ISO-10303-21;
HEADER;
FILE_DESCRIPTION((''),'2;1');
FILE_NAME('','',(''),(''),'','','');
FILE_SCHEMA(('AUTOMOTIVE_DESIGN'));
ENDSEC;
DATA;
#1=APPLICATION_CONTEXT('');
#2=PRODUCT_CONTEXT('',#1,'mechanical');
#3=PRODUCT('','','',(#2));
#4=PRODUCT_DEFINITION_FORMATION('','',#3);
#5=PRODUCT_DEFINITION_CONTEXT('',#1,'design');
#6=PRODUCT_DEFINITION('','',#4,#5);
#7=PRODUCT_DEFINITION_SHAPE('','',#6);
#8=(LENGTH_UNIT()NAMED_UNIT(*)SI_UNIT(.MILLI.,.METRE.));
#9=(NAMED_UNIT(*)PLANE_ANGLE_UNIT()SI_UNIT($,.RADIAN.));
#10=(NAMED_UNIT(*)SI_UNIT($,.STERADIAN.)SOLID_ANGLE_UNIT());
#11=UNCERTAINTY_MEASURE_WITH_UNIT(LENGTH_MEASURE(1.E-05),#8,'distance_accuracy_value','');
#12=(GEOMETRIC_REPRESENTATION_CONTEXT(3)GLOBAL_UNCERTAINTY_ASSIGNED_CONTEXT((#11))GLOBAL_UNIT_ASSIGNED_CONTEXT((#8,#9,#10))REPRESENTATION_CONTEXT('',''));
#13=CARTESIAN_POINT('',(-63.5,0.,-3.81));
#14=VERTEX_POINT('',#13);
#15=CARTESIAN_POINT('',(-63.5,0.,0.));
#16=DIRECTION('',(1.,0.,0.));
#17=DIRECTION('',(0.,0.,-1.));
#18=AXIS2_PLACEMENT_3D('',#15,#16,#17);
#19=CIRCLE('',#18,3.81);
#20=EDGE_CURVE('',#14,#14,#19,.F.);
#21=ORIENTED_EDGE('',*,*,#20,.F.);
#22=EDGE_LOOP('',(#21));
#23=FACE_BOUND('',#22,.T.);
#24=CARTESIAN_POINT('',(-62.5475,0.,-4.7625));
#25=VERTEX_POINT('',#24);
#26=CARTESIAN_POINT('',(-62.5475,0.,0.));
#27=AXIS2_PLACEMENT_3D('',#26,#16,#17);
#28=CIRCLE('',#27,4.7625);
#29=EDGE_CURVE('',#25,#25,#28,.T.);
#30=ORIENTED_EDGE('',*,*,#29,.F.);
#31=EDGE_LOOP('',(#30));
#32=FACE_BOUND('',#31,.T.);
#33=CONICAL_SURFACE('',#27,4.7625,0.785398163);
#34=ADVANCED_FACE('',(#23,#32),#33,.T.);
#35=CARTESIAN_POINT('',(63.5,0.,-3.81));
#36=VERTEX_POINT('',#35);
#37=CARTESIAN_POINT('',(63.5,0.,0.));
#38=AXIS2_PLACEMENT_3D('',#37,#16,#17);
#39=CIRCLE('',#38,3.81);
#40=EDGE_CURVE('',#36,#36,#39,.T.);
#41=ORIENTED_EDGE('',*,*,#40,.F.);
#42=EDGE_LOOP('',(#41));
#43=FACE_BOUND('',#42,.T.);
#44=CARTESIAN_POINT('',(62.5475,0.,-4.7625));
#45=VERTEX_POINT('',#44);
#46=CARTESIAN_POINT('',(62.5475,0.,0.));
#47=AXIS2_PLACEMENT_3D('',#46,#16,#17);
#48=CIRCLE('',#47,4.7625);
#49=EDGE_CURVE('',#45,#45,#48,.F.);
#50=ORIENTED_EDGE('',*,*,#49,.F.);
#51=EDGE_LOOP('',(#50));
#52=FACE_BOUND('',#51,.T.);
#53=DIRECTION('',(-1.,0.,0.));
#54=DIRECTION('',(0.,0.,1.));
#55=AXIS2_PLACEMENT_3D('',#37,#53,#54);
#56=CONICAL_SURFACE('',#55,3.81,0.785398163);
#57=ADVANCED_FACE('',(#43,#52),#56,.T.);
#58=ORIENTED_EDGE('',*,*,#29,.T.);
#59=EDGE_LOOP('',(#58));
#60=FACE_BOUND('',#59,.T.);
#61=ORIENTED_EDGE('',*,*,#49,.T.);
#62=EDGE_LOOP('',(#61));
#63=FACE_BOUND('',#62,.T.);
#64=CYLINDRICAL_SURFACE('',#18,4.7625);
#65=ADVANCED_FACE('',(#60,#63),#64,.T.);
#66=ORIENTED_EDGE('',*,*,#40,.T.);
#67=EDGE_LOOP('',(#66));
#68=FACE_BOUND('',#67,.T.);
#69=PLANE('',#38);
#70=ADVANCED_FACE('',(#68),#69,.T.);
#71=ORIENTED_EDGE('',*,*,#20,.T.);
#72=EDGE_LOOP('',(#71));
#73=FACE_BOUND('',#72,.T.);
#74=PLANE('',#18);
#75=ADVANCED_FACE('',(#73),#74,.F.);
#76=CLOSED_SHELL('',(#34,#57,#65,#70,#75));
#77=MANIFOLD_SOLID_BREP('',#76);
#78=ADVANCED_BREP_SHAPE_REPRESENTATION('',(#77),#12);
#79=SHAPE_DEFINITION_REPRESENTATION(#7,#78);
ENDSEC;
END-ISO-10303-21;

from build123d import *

# Parameters (mm, degrees)
EXTRUDE1_DEPTH      = 63.5
EXTRUDE1_DEPTH_BACK = 63.5
SKETCH2_R           = 4.7625
CHAMFER1_SIZE       = 0.9525


with BuildPart() as part:
    # Sketch2 → Extrude1 (new, two sides: drawn at the far end of the back side and taken through both)
    with BuildSketch(Plane(origin=(0, 0, 0), x_dir=(0, 0, -1), z_dir=(1, 0, 0)).offset(-EXTRUDE1_DEPTH_BACK)):
        Circle(SKETCH2_R)
    extrude(amount=EXTRUDE1_DEPTH + EXTRUDE1_DEPTH_BACK)

    # Chamfer1
    chamfer1_edges = [part.edges().sort_by_distance(p)[0] for p in [
        (-63.5, 0, 4.7625),
        (63.5, 0, 4.7625),
    ]]
    chamfer(chamfer1_edges, length=CHAMFER1_SIZE)


solid = part.part
